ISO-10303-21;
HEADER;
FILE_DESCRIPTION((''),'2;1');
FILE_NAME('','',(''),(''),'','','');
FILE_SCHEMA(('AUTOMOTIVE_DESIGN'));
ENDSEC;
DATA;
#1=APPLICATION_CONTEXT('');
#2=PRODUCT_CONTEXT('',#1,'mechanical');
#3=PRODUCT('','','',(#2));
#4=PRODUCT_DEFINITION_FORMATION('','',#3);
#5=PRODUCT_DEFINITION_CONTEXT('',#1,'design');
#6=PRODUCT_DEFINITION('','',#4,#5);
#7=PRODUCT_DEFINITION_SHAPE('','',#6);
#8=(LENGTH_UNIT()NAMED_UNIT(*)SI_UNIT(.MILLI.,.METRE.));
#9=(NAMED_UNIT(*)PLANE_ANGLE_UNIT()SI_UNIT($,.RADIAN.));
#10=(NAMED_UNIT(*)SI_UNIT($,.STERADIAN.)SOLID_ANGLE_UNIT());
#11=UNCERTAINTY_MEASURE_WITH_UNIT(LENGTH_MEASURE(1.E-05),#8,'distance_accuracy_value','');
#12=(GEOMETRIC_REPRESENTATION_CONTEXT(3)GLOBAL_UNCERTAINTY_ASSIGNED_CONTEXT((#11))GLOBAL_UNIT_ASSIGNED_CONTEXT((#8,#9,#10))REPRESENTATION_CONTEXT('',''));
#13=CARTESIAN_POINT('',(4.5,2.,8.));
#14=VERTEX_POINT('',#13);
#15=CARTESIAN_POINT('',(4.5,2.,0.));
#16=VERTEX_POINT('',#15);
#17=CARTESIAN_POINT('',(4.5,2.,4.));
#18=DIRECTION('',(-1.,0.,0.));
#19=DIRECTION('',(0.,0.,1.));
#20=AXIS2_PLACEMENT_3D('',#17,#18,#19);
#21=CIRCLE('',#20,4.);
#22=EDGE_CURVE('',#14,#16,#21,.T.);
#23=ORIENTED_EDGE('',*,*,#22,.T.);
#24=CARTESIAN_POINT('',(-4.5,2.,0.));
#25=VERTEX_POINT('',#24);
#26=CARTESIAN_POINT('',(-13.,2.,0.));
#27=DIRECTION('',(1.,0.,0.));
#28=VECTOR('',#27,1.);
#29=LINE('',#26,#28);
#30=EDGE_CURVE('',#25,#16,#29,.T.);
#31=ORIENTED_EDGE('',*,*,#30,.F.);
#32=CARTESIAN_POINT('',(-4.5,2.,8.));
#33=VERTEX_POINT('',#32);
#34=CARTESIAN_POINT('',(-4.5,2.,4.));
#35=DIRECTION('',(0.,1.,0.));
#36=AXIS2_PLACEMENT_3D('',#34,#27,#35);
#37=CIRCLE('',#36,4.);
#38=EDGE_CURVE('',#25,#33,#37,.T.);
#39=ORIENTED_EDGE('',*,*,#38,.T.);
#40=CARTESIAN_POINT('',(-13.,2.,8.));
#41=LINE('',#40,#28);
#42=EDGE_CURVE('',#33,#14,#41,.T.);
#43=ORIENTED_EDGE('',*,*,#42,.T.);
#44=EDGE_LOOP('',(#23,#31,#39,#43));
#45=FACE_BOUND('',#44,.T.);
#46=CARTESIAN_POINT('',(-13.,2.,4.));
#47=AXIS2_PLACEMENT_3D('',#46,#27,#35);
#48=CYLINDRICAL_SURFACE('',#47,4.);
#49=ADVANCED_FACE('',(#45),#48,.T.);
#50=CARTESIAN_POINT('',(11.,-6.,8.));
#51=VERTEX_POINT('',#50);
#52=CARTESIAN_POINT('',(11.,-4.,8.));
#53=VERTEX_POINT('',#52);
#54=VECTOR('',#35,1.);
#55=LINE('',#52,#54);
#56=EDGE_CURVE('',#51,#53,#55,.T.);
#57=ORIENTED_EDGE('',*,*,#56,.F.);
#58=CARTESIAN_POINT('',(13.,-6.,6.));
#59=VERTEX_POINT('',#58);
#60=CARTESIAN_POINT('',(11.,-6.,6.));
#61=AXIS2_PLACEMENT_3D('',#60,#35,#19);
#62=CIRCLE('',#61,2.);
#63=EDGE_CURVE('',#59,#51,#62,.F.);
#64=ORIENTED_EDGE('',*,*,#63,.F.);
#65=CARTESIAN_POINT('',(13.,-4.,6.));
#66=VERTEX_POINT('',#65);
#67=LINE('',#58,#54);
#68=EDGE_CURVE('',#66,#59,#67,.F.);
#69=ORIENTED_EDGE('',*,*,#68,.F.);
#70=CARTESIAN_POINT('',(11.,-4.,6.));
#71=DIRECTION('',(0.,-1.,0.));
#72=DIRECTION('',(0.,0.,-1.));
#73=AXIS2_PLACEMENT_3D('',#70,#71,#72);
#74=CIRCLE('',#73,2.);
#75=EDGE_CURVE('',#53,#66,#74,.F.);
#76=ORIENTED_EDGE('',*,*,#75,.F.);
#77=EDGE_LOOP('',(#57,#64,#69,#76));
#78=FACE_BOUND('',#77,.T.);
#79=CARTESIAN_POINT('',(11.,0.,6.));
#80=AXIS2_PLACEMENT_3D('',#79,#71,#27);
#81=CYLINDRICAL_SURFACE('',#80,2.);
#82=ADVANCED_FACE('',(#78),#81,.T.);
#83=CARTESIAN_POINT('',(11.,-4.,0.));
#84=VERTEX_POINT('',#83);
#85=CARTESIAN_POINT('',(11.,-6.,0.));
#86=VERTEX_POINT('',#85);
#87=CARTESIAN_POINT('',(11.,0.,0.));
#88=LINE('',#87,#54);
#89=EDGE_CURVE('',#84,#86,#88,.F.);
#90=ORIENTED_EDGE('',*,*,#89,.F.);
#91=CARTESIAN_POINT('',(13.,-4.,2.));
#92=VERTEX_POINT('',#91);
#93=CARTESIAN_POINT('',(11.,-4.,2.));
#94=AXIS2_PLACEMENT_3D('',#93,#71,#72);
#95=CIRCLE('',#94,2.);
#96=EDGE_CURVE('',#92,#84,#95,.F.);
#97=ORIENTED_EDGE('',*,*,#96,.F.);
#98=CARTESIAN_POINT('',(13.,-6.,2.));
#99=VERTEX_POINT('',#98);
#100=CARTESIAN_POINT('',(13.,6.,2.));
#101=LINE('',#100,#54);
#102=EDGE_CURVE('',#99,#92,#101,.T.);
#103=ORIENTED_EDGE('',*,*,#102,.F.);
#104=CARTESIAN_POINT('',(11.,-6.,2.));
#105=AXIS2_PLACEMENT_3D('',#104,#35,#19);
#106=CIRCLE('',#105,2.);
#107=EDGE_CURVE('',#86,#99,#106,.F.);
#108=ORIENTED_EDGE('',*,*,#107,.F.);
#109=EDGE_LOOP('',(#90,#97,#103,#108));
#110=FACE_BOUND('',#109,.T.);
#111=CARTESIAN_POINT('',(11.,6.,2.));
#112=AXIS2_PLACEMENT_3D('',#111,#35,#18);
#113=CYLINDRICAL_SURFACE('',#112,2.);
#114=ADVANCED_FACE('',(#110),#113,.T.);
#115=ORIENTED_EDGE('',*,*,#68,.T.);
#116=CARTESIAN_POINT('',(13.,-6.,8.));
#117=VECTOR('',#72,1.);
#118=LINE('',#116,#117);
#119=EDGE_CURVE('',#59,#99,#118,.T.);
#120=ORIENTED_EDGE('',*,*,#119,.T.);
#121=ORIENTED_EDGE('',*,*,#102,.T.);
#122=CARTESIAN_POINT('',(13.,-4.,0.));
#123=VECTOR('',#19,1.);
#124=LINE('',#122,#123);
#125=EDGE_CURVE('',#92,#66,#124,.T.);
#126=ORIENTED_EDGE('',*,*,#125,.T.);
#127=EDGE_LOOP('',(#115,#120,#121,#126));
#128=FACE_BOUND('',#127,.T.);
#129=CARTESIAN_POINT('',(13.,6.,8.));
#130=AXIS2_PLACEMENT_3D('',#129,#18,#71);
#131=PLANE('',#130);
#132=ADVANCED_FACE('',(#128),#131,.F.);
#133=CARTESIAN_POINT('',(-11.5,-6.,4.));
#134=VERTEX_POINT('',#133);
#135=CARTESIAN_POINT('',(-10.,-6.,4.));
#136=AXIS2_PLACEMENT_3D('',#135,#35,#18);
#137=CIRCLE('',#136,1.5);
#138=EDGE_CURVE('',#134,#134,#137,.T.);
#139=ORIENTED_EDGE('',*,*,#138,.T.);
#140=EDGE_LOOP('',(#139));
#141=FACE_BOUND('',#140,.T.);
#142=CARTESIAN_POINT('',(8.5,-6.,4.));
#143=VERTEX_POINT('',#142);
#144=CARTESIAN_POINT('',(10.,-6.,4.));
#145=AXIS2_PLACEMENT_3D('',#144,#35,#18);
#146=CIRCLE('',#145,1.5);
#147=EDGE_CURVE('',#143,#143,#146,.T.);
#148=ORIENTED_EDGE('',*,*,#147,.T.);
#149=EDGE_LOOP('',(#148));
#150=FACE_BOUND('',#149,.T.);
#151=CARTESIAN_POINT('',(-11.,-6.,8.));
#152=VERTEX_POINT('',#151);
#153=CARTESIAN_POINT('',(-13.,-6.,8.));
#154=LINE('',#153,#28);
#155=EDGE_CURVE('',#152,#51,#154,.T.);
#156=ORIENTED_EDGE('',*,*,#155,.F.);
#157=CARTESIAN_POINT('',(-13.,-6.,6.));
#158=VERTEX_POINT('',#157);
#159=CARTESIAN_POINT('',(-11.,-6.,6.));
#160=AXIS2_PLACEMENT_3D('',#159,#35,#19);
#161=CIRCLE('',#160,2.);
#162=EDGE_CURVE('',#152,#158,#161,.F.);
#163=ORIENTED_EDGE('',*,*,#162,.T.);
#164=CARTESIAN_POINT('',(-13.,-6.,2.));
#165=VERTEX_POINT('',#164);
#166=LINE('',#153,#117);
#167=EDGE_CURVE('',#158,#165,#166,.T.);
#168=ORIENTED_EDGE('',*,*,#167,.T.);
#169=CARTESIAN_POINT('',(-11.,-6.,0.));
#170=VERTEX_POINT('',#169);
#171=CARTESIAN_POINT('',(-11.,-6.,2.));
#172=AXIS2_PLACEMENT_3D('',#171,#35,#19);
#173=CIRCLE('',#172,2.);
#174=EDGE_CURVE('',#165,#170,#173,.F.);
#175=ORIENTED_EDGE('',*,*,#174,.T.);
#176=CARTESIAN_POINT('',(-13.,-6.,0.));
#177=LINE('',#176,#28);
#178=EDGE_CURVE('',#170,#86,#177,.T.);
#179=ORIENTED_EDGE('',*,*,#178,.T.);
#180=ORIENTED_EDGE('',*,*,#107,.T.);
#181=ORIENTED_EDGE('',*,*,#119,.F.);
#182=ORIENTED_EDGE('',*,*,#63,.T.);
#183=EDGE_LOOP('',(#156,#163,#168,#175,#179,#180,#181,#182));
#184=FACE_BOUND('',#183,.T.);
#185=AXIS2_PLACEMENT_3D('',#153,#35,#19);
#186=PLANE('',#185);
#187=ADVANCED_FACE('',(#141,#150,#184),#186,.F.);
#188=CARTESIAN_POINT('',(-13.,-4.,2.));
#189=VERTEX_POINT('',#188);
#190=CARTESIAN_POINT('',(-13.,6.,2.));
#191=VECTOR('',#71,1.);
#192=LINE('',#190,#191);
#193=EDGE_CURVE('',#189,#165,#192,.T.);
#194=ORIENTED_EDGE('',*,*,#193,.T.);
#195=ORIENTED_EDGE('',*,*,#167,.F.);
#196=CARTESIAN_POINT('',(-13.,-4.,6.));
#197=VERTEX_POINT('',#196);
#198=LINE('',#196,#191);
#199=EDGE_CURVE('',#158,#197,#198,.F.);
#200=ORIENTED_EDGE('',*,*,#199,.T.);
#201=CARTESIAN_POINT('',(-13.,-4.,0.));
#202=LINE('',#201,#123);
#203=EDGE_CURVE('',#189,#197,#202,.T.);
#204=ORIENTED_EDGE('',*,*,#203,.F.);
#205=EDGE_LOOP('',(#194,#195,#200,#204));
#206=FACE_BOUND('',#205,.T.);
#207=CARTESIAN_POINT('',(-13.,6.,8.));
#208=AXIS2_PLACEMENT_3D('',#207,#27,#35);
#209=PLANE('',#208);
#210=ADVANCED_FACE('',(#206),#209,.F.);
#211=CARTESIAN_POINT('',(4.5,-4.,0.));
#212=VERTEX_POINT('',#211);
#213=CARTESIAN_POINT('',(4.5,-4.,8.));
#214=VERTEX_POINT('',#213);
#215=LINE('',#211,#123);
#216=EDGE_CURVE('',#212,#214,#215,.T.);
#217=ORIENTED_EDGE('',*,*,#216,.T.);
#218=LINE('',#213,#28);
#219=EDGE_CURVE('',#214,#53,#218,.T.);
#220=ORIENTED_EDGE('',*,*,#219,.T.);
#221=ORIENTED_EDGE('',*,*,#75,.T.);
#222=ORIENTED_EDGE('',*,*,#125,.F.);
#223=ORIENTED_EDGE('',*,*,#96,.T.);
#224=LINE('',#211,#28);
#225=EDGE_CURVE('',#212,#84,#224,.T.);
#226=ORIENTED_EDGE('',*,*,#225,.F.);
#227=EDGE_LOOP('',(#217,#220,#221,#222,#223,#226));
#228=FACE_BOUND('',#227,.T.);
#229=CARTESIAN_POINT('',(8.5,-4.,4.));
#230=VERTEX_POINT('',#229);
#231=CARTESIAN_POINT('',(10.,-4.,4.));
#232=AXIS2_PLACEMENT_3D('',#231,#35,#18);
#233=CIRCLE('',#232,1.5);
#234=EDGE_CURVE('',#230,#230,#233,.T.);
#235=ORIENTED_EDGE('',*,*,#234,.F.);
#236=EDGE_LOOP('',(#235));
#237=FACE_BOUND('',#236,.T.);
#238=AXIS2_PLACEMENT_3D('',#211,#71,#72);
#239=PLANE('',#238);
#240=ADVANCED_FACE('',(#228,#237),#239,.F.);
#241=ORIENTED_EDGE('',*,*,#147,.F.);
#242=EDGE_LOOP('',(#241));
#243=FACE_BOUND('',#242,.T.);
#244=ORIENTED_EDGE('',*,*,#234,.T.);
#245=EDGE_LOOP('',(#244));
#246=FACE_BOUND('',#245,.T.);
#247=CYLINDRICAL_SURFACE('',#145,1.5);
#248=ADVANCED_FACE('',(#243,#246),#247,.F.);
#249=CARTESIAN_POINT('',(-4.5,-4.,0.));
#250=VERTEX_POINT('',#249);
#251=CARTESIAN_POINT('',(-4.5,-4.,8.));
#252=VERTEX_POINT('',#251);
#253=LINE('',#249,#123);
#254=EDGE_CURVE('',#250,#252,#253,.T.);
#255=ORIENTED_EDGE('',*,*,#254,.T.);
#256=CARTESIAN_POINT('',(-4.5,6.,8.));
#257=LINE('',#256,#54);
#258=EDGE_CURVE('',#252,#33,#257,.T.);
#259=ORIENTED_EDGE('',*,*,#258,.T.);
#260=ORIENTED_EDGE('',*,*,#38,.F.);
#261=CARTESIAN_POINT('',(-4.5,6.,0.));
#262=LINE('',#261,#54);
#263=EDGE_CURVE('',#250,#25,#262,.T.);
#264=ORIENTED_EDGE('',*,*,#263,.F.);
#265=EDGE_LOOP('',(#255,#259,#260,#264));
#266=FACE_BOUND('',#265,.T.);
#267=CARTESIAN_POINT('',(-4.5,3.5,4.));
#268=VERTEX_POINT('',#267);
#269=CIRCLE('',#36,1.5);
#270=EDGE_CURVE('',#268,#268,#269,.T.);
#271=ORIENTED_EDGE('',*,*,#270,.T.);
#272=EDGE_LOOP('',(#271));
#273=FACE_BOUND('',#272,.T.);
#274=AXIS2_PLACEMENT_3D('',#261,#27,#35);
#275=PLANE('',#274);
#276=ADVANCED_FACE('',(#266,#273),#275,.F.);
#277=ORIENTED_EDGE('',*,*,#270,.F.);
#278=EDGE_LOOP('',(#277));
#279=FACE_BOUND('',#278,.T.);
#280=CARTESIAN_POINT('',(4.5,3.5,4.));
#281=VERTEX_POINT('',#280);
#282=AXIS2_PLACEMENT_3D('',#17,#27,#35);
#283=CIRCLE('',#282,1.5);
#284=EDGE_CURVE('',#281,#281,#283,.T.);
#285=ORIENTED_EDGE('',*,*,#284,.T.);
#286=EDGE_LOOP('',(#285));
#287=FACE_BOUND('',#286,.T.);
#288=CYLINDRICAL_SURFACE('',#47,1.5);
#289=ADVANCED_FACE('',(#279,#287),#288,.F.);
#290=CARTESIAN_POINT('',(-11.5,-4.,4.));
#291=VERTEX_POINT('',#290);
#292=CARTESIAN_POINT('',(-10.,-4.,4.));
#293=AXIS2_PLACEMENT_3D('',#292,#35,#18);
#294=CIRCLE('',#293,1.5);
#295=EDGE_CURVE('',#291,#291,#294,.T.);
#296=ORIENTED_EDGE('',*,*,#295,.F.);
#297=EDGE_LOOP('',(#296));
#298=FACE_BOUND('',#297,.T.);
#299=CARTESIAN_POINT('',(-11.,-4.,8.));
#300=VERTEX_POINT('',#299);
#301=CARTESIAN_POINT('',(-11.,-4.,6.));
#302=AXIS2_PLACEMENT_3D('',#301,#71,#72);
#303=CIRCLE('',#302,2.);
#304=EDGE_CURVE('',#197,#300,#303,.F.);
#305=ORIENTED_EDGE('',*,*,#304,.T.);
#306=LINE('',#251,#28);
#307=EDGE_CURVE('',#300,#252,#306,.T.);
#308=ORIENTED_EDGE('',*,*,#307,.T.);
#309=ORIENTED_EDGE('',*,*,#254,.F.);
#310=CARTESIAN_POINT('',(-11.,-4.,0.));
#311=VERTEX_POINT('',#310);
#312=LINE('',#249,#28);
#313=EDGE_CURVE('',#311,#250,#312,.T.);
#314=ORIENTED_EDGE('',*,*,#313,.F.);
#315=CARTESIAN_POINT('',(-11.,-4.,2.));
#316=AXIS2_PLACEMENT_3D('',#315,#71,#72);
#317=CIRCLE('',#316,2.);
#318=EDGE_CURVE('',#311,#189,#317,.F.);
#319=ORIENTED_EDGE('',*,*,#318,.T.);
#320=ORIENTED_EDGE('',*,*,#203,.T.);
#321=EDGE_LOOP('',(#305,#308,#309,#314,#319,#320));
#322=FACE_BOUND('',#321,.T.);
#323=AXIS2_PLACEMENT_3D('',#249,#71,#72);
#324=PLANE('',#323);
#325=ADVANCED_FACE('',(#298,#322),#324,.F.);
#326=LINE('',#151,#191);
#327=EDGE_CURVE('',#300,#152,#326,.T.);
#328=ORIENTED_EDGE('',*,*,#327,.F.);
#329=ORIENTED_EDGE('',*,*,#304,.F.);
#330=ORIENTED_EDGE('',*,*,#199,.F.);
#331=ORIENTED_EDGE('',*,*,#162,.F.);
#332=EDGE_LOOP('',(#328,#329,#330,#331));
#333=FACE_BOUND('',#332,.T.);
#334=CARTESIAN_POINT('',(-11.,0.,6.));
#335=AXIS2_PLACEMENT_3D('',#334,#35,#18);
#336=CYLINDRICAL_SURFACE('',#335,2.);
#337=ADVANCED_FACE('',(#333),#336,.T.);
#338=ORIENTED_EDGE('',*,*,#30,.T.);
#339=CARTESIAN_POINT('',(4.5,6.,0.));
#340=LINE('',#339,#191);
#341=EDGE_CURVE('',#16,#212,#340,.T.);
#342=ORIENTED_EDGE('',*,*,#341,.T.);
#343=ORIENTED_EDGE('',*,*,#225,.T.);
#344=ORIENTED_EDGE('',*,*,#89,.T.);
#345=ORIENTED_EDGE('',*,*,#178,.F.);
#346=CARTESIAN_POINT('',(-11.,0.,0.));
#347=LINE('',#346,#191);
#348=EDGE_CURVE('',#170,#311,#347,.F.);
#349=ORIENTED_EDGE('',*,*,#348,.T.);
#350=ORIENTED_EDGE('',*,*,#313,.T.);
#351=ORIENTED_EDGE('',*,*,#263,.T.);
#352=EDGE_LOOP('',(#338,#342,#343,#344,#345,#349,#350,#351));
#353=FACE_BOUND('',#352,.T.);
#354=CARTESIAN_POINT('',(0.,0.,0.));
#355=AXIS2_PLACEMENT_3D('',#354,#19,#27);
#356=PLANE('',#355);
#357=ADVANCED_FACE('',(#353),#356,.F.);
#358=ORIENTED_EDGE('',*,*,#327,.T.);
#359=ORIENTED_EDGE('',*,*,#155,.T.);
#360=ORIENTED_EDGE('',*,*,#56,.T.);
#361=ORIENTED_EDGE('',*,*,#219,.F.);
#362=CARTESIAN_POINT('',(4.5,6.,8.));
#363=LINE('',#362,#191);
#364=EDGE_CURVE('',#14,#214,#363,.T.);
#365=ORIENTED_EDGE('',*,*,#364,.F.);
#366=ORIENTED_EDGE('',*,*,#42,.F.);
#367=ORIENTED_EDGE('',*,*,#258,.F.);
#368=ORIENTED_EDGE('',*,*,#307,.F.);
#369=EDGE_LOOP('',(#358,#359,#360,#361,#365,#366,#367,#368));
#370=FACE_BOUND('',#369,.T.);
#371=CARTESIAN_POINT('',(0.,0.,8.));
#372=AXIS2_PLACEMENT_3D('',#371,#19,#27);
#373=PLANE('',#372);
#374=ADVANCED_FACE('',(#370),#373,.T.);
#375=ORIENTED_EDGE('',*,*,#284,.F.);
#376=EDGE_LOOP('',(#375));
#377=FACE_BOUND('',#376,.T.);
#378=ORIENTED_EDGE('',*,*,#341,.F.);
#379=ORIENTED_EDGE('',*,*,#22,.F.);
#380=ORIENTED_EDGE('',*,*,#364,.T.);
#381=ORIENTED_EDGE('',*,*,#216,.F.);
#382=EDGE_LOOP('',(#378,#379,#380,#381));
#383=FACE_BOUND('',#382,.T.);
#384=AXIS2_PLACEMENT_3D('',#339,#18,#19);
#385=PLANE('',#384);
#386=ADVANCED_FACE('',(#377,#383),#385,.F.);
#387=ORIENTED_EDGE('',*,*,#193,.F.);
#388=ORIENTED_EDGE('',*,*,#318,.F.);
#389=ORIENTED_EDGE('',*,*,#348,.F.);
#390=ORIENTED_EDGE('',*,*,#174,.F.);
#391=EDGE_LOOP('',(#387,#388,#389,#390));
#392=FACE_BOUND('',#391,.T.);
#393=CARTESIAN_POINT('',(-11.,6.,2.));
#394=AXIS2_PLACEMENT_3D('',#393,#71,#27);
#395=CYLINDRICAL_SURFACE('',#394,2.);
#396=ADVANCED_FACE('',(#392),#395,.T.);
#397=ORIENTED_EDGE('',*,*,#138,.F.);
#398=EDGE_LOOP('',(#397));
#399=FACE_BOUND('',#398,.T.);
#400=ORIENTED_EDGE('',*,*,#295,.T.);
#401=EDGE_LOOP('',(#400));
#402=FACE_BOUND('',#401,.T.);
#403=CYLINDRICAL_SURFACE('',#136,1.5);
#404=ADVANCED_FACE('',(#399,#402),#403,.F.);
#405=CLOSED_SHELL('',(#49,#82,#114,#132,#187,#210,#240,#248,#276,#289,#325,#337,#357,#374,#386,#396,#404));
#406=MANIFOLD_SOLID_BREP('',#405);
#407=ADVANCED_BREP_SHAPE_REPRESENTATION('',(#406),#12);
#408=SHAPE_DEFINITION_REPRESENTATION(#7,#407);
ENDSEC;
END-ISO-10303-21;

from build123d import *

# Parameters (mm, degrees)
SKETCH1_W           = 26
SKETCH1_H           = 12
BOSS_EXTRUDE1_DEPTH = 8
CUT_EXTRUDE1_DEPTH  = 28.856776554
SKETCH3_W           = 8.5
SKETCH3_H           = 10
CUT_EXTRUDE2_DEPTH  = 17.401219467
SKETCH4_R           = 1.5
CUT_EXTRUDE3_DEPTH  = 21.155644371
FILLET1_R           = 2
SKETCH5_R           = 1.5
CUT_EXTRUDE4_DEPTH  = 19.248287591


with BuildPart() as part:
    # Sketch1 → Boss-Extrude1 (new body)
    with BuildSketch(Plane.XY):
        Rectangle(SKETCH1_W, SKETCH1_H)
    extrude(amount=BOSS_EXTRUDE1_DEPTH)

    # Sketch2 → Cut-Extrude1 (cut, through all)
    with BuildSketch(Plane(origin=(13, 0, 0), x_dir=(0, 0, -1), z_dir=(1, 0, 0))):
        with BuildLine():
            Line((-8, 2), (-8, 7))
            Line((-8, 7), (0, 7))
            Line((0, 7), (0, 2))
            ThreePointArc((0, 2), (-4, 6), (-8, 2))
        make_face()
    extrude(amount=-CUT_EXTRUDE1_DEPTH, mode=Mode.SUBTRACT)

    # Sketch3 → Cut-Extrude2 (cut, through all)
    with BuildSketch(Plane.XY.offset(8)):
        with Locations((8.75, 1)):
            Rectangle(SKETCH3_W, SKETCH3_H)
        with Locations((-8.75, 1)):
            Rectangle(SKETCH3_W, SKETCH3_H)
    extrude(amount=-CUT_EXTRUDE2_DEPTH, mode=Mode.SUBTRACT)

    # Sketch4 → Cut-Extrude3 (cut, through all)
    with BuildSketch(Plane(origin=(4.5, 0, 0), x_dir=(0, 0, -1), z_dir=(1, 0, 0))):
        with Locations(Location((-4, 2, 0), (0, 0, 90))):
            Circle(SKETCH4_R)
    extrude(amount=-CUT_EXTRUDE3_DEPTH, mode=Mode.SUBTRACT)

    # Fillet1
    fillet1_edges = [part.edges().sort_by_distance(p)[0] for p in [
        (13, -5, 8),
        (13, -5, 0),
        (-13, -5, 8),
        (-13, -5, 0),
    ]]
    fillet(fillet1_edges, radius=FILLET1_R)

    # Sketch5 → Cut-Extrude4 (cut, through all)
    with BuildSketch(Plane(origin=(0, -4, 0), x_dir=(1, 0, 0), z_dir=(0, 1, 0))):
        with Locations(Location((-10, -4, 0), (0, 0, 180))):
            Circle(SKETCH5_R)
        with Locations(Location((10, -4, 0), (0, 0, 180))):
            Circle(SKETCH5_R)
    extrude(amount=-CUT_EXTRUDE4_DEPTH, mode=Mode.SUBTRACT)


solid = part.part
